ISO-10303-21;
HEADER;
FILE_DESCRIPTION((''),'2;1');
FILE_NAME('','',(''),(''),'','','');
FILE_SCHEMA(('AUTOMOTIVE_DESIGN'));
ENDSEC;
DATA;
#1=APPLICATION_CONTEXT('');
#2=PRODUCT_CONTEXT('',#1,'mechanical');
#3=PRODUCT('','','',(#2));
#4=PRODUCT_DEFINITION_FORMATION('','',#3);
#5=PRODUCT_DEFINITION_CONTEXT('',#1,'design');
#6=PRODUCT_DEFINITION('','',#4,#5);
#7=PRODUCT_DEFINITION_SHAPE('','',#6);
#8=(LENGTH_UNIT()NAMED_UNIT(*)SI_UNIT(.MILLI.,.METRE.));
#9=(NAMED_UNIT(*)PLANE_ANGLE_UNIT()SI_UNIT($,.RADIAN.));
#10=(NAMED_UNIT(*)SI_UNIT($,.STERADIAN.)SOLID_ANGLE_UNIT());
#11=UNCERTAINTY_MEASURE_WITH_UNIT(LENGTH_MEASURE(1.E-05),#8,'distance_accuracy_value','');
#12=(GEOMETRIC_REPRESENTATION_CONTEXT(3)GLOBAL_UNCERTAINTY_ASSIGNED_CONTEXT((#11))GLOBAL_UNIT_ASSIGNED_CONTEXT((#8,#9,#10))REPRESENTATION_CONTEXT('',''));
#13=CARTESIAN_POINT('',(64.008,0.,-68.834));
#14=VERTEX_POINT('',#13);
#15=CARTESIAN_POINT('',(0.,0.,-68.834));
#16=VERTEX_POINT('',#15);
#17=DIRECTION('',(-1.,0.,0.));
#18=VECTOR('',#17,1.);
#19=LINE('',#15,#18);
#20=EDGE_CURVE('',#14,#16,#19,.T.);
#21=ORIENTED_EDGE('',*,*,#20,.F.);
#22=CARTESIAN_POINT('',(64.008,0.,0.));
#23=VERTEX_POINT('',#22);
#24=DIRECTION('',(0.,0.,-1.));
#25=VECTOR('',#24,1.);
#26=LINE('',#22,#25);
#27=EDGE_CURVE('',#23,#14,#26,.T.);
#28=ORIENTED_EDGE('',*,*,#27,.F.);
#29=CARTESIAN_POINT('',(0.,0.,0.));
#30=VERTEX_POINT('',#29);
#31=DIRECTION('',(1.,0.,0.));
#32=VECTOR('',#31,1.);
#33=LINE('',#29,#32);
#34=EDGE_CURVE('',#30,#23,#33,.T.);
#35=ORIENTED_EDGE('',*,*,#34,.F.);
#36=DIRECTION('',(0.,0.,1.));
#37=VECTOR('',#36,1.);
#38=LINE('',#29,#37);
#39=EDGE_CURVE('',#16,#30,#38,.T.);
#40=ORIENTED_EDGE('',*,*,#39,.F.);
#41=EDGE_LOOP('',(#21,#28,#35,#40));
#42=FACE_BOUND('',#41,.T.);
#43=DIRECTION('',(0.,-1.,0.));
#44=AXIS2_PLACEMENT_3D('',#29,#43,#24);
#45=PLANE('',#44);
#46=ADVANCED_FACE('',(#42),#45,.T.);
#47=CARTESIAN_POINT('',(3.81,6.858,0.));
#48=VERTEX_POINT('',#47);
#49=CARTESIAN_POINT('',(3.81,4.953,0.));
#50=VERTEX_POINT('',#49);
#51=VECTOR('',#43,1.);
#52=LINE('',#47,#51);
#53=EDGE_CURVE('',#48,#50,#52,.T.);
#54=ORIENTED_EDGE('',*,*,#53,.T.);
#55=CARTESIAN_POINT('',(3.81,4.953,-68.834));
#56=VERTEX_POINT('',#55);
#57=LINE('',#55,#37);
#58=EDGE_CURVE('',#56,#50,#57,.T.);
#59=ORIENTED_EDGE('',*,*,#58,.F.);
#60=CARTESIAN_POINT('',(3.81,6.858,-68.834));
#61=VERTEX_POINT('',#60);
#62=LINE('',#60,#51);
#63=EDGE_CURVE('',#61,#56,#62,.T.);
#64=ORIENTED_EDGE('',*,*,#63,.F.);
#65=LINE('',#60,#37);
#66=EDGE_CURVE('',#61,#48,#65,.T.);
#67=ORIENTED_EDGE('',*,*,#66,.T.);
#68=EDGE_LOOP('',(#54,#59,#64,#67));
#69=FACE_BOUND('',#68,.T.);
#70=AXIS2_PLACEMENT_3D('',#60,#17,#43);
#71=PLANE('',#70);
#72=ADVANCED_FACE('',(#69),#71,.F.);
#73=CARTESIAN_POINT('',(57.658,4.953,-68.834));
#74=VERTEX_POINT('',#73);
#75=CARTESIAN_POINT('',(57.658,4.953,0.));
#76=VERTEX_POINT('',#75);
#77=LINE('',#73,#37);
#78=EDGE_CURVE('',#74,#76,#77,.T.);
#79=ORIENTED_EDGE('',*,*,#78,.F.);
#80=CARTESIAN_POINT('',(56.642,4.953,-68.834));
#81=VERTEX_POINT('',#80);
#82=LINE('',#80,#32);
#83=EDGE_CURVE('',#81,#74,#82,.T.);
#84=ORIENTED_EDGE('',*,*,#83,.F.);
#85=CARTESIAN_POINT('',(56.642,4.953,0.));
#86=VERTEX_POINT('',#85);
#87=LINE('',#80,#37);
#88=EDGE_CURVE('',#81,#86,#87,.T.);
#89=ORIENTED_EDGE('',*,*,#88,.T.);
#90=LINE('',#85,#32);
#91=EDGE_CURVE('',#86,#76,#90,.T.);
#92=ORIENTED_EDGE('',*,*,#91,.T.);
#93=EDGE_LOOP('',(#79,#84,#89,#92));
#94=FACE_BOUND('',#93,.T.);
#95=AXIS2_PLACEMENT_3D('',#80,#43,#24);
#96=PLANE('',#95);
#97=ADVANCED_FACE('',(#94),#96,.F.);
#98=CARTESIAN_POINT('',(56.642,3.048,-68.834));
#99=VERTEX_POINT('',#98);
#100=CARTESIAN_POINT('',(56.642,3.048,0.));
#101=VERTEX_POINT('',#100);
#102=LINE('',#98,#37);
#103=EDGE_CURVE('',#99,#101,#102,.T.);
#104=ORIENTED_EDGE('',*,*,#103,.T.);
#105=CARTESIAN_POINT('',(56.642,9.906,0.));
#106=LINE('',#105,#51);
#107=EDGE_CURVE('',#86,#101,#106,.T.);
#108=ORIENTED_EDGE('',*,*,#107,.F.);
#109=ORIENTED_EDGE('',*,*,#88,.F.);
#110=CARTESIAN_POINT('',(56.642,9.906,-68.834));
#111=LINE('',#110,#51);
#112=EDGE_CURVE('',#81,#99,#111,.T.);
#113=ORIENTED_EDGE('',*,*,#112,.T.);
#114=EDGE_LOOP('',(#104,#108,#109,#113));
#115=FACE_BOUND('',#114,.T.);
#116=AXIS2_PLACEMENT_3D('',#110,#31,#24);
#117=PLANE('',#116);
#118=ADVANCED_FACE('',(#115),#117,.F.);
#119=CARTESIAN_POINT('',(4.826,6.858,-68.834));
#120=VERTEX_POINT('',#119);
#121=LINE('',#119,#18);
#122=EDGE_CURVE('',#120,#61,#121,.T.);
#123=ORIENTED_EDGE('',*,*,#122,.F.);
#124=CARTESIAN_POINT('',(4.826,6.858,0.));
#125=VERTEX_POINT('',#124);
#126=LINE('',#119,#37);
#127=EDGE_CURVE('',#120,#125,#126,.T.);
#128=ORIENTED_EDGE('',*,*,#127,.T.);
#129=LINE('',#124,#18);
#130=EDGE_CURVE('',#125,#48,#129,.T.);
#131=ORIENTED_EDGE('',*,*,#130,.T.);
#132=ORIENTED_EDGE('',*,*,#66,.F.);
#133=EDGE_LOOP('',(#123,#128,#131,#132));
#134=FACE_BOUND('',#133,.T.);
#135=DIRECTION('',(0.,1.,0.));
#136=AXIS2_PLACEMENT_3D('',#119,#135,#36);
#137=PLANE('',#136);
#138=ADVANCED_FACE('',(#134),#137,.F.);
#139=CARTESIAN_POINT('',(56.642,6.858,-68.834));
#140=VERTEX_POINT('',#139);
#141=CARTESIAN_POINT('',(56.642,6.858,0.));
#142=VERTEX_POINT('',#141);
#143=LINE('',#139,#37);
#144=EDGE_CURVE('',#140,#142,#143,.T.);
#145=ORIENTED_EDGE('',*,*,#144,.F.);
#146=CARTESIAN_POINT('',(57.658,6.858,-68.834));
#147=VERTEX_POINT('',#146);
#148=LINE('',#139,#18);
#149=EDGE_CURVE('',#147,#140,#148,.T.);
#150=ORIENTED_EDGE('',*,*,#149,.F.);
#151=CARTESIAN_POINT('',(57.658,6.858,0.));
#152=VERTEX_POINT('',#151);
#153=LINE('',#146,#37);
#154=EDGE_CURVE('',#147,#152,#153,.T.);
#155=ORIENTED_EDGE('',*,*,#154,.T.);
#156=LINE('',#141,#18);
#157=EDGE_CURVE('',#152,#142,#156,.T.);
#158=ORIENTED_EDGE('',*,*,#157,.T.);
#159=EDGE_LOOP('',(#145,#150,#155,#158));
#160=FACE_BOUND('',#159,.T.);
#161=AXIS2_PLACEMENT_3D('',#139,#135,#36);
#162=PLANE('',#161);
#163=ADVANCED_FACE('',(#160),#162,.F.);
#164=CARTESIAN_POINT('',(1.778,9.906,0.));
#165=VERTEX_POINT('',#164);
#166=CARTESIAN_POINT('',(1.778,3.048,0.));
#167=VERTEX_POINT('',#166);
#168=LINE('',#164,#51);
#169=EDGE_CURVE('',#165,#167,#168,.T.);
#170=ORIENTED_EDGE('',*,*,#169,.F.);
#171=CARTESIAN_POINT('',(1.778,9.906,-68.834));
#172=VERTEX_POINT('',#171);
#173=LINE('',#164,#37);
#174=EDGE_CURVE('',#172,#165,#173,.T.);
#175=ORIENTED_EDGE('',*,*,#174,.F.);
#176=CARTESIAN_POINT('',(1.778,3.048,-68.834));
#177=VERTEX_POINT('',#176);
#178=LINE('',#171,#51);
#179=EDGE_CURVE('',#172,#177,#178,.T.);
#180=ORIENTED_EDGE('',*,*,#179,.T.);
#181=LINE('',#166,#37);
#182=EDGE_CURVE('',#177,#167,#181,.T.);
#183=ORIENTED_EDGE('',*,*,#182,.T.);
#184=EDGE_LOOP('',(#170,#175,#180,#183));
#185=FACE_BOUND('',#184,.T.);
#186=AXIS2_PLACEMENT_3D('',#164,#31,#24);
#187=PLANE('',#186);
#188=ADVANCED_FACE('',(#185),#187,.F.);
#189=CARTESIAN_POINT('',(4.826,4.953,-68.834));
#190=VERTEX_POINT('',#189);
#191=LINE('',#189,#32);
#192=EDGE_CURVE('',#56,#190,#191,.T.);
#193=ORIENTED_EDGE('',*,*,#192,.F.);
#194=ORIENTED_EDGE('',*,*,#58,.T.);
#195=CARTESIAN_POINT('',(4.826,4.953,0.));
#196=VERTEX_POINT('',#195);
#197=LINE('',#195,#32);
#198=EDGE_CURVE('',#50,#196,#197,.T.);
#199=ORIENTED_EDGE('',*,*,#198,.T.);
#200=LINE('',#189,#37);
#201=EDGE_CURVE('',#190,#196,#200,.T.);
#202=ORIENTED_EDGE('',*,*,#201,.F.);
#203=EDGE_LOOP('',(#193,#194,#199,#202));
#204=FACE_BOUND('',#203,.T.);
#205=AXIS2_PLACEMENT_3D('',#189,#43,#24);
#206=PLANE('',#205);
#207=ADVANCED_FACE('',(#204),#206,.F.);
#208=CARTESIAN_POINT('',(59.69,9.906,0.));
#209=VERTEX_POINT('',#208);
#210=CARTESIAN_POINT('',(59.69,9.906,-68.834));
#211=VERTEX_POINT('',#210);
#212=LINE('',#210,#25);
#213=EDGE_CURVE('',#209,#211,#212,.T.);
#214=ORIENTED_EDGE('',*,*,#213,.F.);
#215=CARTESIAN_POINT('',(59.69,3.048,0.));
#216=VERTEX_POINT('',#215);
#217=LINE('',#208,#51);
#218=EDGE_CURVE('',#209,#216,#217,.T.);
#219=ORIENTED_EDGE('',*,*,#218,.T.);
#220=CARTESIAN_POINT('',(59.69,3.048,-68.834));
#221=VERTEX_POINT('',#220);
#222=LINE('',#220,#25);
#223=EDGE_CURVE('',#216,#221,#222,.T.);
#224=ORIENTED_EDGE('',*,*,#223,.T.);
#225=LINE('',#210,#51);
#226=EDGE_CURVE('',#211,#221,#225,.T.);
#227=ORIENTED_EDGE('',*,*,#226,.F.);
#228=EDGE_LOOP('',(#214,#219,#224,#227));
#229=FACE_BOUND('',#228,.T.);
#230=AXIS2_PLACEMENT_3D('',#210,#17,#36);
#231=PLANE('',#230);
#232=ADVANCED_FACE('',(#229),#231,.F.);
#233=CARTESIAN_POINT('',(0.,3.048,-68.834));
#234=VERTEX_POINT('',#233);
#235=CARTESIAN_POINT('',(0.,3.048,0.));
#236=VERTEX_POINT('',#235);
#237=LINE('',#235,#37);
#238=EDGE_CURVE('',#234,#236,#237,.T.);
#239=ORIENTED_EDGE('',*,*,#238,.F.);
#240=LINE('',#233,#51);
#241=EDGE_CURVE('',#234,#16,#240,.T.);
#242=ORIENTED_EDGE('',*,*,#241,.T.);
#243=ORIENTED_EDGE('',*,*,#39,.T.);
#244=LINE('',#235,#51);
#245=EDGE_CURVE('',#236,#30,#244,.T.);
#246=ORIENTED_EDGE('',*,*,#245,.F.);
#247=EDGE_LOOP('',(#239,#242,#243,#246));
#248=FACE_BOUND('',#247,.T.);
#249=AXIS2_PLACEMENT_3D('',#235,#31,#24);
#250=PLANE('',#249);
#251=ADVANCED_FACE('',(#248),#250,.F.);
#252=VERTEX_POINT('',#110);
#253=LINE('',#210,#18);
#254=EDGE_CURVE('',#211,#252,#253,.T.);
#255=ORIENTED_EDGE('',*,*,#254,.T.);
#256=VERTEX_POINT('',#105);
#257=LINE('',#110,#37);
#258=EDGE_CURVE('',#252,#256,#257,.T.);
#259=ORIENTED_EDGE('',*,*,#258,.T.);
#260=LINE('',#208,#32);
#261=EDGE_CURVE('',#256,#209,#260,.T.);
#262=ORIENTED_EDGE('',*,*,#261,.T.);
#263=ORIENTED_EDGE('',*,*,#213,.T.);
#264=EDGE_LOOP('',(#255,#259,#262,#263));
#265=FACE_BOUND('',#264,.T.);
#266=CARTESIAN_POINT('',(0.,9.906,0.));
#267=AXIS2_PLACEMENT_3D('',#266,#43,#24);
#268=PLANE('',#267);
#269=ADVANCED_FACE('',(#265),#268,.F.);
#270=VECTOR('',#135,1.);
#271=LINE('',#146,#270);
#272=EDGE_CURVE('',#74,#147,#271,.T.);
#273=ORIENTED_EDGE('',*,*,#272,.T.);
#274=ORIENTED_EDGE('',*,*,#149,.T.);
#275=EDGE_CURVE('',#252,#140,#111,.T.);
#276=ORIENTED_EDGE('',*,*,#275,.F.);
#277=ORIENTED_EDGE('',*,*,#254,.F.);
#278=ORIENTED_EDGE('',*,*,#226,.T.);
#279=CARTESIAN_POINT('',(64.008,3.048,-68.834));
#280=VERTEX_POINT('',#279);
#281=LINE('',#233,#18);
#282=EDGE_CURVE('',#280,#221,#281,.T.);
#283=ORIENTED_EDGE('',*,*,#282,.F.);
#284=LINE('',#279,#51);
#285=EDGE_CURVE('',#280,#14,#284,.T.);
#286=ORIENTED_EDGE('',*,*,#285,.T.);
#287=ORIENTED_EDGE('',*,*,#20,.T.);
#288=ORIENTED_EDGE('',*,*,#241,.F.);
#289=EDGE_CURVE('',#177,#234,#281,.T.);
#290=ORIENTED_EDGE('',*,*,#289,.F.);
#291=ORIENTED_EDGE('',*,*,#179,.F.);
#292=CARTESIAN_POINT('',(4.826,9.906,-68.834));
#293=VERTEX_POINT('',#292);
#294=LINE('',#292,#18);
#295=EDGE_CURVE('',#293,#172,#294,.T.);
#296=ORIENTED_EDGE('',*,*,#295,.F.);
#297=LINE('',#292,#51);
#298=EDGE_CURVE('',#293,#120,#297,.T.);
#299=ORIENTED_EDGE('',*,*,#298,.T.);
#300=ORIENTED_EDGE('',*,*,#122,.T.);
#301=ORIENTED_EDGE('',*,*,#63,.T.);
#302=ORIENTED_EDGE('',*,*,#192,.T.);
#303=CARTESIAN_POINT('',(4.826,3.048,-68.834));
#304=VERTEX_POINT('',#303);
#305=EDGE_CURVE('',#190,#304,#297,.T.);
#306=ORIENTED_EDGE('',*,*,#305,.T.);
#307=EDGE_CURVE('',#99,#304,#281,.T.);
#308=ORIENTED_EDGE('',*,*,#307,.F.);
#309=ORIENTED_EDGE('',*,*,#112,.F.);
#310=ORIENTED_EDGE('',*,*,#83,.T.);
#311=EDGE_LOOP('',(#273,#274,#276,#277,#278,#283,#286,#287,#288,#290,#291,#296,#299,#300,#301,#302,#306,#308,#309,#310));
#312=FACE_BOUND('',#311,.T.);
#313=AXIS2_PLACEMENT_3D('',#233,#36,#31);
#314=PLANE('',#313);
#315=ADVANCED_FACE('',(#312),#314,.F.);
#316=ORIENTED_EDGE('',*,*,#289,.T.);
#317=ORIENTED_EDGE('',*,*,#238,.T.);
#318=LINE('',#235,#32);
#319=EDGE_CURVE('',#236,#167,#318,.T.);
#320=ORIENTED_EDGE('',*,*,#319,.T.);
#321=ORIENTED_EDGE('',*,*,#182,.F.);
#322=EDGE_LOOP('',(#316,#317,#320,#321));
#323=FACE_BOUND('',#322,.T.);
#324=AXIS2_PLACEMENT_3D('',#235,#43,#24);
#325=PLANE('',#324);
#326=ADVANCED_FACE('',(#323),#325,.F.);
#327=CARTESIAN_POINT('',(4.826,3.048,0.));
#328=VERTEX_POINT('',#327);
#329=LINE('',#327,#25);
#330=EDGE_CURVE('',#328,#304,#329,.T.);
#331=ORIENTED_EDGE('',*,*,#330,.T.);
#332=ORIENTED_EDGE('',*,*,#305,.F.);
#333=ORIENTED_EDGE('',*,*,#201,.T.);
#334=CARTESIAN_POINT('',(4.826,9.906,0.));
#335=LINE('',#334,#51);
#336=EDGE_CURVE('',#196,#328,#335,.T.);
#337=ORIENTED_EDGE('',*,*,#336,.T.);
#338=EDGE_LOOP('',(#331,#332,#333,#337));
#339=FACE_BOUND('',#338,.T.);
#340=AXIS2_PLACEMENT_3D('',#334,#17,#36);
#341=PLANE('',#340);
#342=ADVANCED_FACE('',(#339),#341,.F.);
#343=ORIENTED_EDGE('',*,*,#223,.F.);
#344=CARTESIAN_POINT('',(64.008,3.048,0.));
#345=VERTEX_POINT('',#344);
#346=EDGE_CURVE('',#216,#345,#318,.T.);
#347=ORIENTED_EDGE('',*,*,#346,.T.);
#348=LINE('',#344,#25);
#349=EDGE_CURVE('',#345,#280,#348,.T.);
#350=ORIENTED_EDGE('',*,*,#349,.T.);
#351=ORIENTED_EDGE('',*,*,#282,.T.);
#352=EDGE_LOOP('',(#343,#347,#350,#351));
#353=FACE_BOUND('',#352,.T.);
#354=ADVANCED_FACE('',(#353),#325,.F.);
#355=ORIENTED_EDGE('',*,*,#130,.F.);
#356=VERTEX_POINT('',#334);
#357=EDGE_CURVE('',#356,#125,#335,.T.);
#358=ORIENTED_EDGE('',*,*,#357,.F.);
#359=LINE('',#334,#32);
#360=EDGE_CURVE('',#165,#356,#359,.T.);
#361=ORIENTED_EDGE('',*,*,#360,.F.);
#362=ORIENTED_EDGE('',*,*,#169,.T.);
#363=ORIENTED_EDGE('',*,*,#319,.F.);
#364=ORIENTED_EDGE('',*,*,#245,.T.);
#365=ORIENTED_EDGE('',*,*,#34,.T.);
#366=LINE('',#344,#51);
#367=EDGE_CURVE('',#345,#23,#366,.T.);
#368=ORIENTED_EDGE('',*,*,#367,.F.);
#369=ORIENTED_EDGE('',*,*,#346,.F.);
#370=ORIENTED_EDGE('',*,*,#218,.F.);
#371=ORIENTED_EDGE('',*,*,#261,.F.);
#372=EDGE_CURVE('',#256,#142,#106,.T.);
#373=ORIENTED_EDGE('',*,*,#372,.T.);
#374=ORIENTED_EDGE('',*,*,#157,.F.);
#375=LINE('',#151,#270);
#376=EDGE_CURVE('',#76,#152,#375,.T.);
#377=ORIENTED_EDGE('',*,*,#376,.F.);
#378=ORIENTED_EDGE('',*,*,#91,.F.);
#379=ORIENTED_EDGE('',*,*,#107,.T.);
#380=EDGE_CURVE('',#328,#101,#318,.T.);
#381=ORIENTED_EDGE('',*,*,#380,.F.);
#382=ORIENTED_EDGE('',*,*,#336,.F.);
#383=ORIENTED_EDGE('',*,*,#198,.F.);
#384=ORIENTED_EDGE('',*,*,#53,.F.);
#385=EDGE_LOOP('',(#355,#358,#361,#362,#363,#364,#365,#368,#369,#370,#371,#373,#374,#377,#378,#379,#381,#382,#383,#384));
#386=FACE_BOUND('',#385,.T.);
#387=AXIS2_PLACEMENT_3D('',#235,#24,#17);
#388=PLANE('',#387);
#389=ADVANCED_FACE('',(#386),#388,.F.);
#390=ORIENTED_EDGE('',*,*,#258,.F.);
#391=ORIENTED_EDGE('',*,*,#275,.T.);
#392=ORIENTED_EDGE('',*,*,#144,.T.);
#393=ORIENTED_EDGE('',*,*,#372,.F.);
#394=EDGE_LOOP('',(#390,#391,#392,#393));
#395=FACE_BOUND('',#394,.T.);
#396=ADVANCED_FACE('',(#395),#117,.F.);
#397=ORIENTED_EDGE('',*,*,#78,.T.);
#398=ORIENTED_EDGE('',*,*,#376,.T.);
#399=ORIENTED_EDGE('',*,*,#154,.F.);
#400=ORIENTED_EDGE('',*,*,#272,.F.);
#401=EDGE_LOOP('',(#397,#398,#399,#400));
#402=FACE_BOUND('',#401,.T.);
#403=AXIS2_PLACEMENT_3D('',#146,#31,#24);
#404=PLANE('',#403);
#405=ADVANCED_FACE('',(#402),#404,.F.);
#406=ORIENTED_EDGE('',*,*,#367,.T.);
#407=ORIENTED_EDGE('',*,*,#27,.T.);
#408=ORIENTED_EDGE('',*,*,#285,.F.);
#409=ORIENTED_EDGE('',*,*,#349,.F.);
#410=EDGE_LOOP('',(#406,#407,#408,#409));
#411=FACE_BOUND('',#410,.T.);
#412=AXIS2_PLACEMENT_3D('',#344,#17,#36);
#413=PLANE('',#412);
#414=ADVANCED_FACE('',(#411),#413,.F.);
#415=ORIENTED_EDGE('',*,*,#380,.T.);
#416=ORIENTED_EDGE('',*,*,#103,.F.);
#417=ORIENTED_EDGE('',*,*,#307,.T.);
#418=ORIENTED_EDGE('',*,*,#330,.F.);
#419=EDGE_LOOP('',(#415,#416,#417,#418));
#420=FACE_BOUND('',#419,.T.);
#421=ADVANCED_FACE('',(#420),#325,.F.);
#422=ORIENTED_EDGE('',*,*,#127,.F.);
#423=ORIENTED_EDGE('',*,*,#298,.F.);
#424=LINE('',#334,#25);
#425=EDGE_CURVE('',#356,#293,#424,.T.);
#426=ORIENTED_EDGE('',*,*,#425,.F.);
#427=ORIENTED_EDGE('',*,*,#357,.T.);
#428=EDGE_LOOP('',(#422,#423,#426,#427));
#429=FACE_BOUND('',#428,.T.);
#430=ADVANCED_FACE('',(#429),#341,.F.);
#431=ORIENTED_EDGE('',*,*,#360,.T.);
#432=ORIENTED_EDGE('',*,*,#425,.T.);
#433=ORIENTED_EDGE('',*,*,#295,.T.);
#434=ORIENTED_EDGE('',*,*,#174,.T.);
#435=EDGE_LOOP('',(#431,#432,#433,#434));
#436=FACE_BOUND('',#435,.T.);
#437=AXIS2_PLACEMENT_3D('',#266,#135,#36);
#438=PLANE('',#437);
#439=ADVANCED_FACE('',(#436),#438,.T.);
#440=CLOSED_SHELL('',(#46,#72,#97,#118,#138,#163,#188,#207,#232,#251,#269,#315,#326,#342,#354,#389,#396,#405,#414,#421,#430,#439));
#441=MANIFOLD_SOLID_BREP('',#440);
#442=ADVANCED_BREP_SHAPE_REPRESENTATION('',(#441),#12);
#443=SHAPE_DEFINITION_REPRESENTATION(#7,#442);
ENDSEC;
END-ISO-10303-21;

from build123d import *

# Parameters (mm, degrees)
SKETCH1_W           = 64.008
SKETCH1_H           = 68.834
BOSS_EXTRUDE1_DEPTH = 3.048
SKETCH2_W           = 3.048
SKETCH2_H           = 68.834
BOSS_EXTRUDE2_DEPTH = 6.858
SKETCH3_W           = 1.016
SKETCH3_H           = 1.905
CUT_EXTRUDE1_DEPTH  = 95.515990478
SKETCH4_W           = 3.048
SKETCH4_H           = 68.834
BOSS_EXTRUDE3_DEPTH = 6.858
SKETCH5_W           = 1.016
SKETCH5_H           = 1.905
CUT_EXTRUDE2_DEPTH  = 95.515990478


with BuildPart() as part:
    # Sketch1 → Boss-Extrude1 (new body)
    with BuildSketch(Plane(origin=(0, 0, 0), x_dir=(1, 0, 0), z_dir=(0, 1, 0))):
        with Locations((32.004, 34.417)):
            Rectangle(SKETCH1_W, SKETCH1_H)
    extrude(amount=BOSS_EXTRUDE1_DEPTH)

    # Sketch2 → Boss-Extrude2 (add)
    with BuildSketch(Plane(origin=(0, 3.048, 0), x_dir=(1, 0, 0), z_dir=(0, 1, 0))):
        with Locations((58.166, 34.417)):
            Rectangle(SKETCH2_W, SKETCH2_H)
    extrude(amount=BOSS_EXTRUDE2_DEPTH)

    # Sketch3 → Cut-Extrude1 (cut, through all)
    with BuildSketch(Plane.XY):
        with Locations((57.15, 5.9055)):
            Rectangle(SKETCH3_W, SKETCH3_H)
    extrude(amount=-CUT_EXTRUDE1_DEPTH, mode=Mode.SUBTRACT)

    # Sketch4 → Boss-Extrude3 (add)
    with BuildSketch(Plane(origin=(0, 3.048, 0), x_dir=(1, 0, 0), z_dir=(0, 1, 0))):
        with Locations((3.302, 34.417)):
            Rectangle(SKETCH4_W, SKETCH4_H)
    extrude(amount=BOSS_EXTRUDE3_DEPTH)

    # Sketch5 → Cut-Extrude2 (cut, through all)
    with BuildSketch(Plane.XY):
        with Locations((4.318, 5.9055)):
            Rectangle(SKETCH5_W, SKETCH5_H)
    extrude(amount=-CUT_EXTRUDE2_DEPTH, mode=Mode.SUBTRACT)


solid = part.part
